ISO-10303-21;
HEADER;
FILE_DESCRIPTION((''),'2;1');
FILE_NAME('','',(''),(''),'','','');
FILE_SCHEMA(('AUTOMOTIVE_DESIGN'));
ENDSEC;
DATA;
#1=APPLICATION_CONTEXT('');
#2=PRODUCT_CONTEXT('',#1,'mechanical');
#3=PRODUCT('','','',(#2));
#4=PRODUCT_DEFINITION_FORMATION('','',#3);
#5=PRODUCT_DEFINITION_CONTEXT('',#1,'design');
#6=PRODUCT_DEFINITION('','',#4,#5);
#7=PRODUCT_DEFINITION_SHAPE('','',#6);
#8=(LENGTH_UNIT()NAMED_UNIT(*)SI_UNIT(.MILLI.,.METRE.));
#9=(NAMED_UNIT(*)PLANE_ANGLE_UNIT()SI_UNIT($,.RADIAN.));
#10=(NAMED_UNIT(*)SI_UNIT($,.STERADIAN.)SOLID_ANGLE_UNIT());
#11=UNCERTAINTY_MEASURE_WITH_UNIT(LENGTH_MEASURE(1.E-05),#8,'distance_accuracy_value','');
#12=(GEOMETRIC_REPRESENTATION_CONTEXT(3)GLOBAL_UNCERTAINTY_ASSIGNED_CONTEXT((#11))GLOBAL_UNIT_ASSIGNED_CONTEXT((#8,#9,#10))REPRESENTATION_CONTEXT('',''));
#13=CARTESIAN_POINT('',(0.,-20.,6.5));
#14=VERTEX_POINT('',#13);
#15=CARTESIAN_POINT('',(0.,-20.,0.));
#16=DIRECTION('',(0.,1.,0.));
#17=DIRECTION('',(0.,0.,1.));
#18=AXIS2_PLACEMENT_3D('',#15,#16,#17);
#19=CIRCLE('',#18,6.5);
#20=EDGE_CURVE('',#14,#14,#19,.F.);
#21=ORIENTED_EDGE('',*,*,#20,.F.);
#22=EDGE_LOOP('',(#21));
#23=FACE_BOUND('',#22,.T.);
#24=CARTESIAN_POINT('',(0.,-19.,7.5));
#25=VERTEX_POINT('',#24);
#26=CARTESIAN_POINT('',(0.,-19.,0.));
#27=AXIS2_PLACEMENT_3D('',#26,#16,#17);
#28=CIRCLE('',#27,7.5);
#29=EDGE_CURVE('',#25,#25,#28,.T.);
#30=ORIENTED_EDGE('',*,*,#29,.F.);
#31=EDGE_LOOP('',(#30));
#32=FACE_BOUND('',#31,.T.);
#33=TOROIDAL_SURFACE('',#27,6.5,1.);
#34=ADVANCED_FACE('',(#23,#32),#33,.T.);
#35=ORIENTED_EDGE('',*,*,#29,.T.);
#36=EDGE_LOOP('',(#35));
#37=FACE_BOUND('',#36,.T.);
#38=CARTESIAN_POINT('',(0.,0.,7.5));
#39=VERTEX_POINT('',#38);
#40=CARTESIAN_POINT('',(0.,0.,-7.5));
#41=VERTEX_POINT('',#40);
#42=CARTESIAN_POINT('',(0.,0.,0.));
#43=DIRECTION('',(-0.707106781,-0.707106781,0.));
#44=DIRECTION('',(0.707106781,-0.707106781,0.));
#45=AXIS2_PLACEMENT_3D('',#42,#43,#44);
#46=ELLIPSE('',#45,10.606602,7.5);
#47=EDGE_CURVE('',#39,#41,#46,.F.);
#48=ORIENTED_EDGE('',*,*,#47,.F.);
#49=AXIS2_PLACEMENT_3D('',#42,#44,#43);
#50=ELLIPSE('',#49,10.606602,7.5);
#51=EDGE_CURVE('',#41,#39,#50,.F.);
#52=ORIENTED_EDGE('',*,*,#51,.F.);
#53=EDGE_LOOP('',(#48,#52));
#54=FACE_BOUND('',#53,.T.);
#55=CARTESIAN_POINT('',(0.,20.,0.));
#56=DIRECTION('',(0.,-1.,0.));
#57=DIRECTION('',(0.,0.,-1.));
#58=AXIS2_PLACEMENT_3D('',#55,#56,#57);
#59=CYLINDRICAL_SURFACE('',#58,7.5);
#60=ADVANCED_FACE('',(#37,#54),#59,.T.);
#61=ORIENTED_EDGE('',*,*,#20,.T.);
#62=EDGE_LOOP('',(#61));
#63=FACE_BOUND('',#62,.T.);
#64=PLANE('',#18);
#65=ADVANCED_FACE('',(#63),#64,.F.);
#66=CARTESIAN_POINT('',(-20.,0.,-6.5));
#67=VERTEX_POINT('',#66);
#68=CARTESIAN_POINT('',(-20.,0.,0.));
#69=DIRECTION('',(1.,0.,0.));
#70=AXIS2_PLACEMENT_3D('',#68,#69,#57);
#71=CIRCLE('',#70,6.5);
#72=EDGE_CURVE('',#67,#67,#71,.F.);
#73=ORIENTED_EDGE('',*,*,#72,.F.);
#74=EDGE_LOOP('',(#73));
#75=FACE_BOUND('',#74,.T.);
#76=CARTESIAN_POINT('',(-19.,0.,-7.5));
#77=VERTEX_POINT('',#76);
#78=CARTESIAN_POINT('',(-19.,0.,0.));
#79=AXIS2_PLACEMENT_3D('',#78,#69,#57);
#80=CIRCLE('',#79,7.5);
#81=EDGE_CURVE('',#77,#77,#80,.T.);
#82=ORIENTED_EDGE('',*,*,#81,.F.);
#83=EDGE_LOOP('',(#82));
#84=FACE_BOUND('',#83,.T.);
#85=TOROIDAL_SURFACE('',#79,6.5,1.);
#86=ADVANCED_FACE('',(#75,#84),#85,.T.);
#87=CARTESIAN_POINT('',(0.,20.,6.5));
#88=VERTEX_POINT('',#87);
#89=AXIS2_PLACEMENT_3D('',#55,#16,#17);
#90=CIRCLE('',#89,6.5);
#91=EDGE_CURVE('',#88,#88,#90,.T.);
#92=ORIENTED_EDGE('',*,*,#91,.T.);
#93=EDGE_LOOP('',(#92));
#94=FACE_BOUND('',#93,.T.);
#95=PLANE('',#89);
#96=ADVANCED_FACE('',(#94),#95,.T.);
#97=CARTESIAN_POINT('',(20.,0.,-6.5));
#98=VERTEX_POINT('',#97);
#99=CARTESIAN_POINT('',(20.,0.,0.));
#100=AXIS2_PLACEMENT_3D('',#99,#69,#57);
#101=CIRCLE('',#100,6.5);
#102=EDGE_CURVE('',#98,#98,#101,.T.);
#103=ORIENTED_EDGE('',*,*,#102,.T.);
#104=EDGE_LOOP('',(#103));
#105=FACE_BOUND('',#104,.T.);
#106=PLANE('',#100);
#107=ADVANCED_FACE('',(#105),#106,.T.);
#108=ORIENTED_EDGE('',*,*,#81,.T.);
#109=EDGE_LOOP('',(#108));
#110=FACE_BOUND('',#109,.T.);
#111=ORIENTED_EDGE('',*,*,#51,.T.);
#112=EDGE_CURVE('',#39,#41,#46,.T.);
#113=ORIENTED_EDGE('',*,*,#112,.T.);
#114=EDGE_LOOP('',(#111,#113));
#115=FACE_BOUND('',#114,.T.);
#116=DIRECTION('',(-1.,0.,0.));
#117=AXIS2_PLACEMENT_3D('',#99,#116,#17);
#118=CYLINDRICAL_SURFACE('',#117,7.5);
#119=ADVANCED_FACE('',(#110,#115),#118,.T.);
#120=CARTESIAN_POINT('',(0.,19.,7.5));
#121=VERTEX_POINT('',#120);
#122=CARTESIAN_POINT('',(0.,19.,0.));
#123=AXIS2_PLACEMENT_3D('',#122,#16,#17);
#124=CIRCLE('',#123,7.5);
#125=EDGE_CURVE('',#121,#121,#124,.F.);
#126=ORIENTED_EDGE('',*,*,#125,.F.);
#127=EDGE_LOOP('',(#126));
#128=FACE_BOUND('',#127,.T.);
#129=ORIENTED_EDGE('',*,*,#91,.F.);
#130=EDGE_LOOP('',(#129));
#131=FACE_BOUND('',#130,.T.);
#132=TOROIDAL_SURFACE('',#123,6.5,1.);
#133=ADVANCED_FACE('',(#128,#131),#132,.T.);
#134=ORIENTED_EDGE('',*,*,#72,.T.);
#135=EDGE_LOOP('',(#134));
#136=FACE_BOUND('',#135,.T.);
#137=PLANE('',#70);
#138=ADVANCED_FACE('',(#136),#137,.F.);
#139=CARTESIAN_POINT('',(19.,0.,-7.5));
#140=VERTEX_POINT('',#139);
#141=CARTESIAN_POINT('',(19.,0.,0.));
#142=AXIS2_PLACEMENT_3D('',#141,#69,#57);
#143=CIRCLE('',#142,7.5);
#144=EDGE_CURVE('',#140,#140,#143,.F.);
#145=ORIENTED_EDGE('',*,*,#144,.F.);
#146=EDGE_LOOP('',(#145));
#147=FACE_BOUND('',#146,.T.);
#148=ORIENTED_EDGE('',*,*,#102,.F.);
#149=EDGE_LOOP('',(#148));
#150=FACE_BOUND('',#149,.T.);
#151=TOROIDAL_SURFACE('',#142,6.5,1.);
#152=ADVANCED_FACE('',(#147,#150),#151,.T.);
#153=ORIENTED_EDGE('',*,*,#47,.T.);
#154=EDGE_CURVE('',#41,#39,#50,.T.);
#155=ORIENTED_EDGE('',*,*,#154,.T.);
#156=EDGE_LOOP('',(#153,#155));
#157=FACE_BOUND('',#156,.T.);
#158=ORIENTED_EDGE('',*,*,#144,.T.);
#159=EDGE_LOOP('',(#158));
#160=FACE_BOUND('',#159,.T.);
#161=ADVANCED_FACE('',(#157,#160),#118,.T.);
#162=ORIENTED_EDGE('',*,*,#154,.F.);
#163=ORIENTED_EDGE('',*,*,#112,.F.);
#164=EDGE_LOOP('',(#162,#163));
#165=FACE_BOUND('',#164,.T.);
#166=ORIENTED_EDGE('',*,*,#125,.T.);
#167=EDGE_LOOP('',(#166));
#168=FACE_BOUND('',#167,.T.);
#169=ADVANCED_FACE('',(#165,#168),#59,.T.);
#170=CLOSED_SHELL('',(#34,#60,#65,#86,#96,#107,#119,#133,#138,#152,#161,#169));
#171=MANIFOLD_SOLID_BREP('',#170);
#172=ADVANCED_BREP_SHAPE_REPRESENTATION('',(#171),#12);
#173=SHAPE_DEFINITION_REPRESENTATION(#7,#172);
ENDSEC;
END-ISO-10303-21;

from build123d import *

# Parameters (mm, degrees)
SKETCH1_R           = 7.5
BOSS_EXTRUDE1_DEPTH = 20
SKETCH2_R           = 7.5
BOSS_EXTRUDE2_DEPTH = 20
FILLET1_R           = 1


with BuildPart() as part:
    # Sketch1 → Boss-Extrude1 (new body, symmetric)
    with BuildSketch(Plane(origin=(0, 0, 0), x_dir=(1, 0, 0), z_dir=(0, 1, 0))):
        Circle(SKETCH1_R)
    extrude(amount=BOSS_EXTRUDE1_DEPTH, both=True)

    # Sketch2 → Boss-Extrude2 (add, symmetric)
    with BuildSketch(Plane(origin=(0, 0, 0), x_dir=(0, 0, -1), z_dir=(1, 0, 0))):
        Circle(SKETCH2_R)
    extrude(amount=BOSS_EXTRUDE2_DEPTH, both=True)

    # Fillet1
    fillet1_edges = [part.edges().sort_by_distance(p)[0] for p in [
        (-7.5, -20, 0),
        (-7.5, 20, 0),
        (-20, 0, 7.5),
        (20, 0, 7.5),
    ]]
    fillet(fillet1_edges, radius=FILLET1_R)


solid = part.part
